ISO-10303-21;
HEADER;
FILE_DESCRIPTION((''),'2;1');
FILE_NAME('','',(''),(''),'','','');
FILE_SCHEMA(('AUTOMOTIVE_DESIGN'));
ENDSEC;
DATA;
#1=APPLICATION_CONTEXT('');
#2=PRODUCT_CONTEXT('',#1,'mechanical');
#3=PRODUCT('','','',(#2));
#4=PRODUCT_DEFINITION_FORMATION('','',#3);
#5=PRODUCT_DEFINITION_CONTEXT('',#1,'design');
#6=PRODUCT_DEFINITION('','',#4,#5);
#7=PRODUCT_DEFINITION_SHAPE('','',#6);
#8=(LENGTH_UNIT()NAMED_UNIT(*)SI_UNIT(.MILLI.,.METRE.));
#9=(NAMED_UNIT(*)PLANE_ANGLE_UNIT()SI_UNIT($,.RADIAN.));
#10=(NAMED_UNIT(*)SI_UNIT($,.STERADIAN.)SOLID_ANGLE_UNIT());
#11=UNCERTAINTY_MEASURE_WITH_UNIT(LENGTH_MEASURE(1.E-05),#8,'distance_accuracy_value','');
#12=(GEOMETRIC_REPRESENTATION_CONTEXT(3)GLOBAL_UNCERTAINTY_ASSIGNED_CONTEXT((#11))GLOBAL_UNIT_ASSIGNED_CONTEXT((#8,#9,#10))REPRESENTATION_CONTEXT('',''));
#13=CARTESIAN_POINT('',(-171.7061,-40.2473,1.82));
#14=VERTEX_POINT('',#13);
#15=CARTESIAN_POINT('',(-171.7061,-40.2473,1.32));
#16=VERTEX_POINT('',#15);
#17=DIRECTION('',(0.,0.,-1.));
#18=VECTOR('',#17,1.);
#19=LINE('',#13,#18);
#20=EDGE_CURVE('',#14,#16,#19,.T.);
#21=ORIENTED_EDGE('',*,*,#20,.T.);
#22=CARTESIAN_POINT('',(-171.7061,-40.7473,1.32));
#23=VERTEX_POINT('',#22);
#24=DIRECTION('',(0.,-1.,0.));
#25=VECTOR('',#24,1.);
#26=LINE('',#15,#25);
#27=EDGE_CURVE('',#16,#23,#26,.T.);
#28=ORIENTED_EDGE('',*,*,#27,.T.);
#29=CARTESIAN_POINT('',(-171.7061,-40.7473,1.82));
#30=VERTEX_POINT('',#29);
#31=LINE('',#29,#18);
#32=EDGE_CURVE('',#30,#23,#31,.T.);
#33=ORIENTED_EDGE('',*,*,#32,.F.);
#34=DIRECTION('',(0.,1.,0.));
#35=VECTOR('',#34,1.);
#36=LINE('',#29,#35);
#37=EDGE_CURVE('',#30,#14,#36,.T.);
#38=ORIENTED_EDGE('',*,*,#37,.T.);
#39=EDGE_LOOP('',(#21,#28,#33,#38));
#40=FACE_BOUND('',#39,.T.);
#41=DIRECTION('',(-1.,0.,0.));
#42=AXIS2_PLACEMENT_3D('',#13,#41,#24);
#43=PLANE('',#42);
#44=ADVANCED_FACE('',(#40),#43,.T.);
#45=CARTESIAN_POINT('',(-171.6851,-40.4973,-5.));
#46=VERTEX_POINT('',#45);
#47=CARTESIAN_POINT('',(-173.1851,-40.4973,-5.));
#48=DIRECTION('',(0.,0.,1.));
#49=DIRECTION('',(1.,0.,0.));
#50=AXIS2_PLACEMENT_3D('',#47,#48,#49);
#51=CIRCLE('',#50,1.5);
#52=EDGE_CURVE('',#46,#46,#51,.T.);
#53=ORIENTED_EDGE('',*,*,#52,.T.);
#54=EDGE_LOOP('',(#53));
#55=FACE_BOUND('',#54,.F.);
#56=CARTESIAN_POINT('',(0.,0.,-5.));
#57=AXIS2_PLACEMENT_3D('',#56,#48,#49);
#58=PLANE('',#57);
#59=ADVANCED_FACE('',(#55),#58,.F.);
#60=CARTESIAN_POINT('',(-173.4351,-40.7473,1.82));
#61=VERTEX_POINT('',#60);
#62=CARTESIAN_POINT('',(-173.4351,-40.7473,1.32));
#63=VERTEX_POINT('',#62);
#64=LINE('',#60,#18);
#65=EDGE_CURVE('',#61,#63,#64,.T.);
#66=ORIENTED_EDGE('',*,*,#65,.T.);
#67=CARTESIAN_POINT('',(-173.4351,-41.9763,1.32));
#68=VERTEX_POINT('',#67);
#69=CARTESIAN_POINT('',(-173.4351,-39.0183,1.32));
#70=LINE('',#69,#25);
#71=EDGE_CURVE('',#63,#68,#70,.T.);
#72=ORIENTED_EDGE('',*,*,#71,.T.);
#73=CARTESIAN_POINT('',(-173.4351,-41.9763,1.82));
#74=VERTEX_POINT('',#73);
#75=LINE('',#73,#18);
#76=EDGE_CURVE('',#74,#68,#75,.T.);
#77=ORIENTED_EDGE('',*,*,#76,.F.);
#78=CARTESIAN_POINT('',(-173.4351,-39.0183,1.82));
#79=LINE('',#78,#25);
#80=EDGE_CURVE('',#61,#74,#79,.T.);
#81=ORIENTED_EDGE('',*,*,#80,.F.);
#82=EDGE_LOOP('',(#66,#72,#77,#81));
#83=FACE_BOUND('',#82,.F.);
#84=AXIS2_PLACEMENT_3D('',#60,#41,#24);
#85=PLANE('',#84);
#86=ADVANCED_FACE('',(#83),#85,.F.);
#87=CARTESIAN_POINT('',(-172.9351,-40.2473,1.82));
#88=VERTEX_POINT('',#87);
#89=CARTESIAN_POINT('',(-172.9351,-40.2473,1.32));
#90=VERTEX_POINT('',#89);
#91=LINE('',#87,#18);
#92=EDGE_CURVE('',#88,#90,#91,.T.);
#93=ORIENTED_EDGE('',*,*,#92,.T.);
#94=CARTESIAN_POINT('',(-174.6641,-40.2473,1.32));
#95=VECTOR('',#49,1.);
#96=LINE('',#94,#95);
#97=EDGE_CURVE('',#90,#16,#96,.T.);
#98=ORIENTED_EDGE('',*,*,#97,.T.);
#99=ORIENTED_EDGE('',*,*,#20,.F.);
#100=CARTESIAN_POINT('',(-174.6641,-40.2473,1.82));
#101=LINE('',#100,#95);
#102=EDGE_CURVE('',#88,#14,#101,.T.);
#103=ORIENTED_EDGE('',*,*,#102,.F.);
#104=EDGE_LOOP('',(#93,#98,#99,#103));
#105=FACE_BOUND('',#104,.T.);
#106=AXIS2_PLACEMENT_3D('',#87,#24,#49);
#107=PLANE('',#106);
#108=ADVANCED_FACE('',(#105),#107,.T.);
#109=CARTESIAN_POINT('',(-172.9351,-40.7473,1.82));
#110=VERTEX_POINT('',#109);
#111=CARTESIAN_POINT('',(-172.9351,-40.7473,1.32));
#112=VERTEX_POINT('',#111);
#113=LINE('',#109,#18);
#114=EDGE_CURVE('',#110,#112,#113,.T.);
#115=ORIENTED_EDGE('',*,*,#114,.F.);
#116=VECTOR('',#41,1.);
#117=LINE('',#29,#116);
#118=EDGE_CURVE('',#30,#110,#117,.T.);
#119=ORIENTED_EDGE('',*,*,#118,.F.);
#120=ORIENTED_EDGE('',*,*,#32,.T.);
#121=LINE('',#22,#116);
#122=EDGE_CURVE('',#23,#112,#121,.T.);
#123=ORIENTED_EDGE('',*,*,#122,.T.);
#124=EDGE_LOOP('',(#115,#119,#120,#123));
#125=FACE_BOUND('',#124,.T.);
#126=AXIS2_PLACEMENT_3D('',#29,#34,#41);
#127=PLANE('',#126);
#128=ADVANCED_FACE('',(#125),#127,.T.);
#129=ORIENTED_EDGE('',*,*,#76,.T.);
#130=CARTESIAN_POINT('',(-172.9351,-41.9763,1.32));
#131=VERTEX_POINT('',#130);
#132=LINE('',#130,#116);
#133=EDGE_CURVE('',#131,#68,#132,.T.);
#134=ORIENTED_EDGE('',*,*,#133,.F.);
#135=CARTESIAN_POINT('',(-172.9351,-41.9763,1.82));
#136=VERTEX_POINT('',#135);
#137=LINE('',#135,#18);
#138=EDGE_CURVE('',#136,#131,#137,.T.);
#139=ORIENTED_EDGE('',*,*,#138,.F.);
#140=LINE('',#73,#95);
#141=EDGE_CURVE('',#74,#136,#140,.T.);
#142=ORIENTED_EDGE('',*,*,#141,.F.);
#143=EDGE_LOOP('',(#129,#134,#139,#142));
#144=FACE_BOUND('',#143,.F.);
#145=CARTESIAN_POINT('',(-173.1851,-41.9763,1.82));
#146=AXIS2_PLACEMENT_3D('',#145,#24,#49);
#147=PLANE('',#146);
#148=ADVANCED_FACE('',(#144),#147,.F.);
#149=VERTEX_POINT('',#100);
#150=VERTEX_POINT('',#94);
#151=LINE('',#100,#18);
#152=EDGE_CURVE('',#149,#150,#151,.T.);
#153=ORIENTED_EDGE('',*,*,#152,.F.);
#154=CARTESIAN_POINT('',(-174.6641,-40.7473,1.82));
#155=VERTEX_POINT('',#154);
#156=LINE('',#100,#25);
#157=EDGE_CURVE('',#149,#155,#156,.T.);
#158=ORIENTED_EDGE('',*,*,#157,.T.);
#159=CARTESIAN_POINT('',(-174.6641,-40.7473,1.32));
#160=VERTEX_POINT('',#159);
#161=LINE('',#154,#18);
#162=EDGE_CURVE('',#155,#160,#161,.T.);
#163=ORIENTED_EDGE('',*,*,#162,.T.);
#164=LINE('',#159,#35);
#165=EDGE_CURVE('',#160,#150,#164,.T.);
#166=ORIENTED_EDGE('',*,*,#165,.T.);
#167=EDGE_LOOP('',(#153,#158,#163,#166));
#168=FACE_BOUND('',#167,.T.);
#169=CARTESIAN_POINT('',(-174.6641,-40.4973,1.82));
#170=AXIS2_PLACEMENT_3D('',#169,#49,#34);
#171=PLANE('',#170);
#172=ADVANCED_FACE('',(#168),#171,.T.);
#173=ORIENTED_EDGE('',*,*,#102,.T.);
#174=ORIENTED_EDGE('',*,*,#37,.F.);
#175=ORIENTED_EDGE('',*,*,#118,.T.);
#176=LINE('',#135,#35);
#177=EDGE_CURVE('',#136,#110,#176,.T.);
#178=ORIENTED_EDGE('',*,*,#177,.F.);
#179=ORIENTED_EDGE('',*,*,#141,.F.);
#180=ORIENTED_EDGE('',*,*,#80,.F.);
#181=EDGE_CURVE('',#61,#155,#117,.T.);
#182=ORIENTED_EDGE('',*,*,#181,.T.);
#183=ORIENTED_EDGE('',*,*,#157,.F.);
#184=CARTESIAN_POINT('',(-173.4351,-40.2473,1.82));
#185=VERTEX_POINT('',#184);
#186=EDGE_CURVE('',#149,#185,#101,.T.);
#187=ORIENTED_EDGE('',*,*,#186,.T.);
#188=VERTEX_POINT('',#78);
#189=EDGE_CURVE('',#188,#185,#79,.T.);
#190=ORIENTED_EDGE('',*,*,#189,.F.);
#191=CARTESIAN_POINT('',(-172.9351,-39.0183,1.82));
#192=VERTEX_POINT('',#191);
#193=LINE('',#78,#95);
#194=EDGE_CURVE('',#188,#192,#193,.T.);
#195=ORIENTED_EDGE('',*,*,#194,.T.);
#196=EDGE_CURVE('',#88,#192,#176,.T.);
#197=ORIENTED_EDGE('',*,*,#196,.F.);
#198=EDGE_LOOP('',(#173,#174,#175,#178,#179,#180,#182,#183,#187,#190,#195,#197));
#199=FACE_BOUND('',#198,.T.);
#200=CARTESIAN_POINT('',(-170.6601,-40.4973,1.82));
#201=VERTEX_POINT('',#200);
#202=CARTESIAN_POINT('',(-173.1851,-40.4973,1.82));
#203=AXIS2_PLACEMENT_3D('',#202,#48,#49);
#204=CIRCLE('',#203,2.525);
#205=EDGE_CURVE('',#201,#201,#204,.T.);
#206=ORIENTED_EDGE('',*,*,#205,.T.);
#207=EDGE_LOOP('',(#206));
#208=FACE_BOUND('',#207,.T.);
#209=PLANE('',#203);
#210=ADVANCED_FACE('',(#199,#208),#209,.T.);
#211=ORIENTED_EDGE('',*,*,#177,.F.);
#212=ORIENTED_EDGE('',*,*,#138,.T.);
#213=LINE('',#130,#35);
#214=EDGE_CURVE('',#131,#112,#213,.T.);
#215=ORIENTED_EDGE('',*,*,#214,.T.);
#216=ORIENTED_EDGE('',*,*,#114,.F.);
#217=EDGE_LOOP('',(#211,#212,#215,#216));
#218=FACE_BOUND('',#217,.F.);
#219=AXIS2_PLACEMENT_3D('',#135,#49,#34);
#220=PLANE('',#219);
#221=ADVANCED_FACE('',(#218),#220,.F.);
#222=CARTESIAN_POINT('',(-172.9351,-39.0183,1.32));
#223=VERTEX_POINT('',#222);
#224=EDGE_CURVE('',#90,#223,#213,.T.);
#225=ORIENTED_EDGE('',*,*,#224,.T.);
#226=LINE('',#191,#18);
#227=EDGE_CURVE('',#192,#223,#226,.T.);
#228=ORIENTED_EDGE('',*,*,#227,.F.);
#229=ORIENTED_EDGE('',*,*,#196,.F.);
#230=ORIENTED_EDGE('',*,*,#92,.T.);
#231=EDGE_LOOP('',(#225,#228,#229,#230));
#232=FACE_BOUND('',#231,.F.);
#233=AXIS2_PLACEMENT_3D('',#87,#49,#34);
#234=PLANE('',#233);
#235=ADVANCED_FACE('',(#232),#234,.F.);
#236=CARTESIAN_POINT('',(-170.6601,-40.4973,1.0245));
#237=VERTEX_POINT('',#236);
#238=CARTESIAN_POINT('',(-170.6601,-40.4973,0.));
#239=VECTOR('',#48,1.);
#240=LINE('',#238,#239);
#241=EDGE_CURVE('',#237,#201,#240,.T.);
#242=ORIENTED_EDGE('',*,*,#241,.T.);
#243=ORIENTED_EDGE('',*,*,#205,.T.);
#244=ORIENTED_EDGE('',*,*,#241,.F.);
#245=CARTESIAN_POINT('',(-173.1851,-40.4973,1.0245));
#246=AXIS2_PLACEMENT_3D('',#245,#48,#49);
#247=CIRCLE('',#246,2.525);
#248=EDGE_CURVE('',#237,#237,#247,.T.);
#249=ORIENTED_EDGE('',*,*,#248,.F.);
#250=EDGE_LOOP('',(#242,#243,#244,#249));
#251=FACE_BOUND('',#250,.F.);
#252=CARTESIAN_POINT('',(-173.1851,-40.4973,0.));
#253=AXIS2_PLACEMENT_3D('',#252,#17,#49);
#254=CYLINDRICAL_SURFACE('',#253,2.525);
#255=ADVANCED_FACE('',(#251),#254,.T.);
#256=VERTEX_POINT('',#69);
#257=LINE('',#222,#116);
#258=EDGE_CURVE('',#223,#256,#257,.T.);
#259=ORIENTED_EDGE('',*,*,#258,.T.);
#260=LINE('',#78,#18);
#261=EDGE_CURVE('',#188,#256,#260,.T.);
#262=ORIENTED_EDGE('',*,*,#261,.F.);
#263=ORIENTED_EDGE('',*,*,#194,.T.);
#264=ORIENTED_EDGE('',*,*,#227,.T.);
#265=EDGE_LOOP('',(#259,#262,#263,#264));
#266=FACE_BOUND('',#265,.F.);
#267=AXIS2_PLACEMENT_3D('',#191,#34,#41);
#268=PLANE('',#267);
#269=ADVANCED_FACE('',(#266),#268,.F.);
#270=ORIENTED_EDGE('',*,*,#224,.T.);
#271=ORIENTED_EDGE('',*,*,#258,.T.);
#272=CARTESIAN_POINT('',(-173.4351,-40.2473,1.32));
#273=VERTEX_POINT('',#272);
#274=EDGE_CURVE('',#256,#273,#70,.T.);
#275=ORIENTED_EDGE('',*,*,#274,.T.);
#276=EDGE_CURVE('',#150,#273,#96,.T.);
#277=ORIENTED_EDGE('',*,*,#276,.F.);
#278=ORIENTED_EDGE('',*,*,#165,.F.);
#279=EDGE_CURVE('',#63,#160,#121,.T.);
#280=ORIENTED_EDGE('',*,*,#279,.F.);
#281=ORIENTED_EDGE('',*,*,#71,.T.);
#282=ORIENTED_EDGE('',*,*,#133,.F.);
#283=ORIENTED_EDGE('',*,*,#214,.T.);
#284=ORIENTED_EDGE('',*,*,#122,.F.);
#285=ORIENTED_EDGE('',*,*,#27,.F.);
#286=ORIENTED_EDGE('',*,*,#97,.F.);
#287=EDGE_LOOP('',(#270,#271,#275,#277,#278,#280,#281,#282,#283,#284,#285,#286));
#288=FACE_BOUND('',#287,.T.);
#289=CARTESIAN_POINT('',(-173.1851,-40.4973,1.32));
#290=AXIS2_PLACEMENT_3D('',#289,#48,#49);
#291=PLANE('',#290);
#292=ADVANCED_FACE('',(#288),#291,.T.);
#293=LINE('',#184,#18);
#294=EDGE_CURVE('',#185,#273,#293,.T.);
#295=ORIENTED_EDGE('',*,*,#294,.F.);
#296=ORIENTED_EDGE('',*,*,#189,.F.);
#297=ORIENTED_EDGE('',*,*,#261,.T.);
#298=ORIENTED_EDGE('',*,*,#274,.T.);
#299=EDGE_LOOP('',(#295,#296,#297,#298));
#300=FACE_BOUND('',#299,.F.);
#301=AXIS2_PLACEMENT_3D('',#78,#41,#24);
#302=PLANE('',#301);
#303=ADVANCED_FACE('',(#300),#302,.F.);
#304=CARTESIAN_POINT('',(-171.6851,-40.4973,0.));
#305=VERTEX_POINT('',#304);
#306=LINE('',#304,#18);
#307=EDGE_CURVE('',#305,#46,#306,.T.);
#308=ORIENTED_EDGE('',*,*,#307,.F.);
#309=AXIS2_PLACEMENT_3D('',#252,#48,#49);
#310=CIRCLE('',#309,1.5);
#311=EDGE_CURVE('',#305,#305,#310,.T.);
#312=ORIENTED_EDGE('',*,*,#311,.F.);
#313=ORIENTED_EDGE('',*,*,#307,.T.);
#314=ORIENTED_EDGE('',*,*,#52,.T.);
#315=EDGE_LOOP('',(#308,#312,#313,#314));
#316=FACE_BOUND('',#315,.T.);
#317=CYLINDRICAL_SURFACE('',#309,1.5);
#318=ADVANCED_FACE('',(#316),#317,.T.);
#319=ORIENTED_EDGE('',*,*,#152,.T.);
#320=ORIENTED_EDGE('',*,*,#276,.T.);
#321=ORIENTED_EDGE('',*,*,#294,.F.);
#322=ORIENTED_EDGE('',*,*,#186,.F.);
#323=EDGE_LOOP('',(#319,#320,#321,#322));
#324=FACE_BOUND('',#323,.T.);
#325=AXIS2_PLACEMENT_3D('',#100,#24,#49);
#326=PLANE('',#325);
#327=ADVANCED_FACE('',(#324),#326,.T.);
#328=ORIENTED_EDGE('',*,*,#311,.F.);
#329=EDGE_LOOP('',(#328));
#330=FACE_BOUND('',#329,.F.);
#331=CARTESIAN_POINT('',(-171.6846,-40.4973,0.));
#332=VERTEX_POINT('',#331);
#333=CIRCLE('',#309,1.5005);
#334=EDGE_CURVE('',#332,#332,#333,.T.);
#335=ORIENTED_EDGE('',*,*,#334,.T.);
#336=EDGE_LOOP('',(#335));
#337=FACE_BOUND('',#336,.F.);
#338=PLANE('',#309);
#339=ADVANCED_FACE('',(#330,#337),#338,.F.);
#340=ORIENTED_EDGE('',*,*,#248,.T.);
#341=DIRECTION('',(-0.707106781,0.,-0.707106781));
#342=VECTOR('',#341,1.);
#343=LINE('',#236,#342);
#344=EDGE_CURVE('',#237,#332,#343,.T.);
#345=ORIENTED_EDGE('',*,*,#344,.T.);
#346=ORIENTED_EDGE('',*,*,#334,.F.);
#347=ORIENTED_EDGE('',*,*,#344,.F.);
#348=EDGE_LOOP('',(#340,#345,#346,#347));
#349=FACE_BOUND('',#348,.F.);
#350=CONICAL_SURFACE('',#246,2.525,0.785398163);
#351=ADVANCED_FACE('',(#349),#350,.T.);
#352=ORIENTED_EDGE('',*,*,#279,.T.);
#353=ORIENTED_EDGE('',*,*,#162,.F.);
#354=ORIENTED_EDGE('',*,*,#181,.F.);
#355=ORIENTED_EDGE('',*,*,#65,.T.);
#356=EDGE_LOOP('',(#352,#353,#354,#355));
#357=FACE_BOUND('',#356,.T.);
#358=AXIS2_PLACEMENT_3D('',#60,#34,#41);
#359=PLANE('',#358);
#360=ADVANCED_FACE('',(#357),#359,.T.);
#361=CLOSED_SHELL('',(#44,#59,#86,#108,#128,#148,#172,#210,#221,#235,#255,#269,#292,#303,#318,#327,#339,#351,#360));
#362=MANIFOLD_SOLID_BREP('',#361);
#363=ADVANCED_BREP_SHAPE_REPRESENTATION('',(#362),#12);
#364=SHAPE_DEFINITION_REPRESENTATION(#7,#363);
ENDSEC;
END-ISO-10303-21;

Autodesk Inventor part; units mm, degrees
sketch "Sketch1" plane through (0, 0, 0) normal (0, 0, 1) x (1, 0, 0)
  circle A0 centre (-173.1851, -40.4973) radius 1.5
  point P0 (0, 0)
  dimension "d0" = 3
extrude "Extrusion1" add sketch "Sketch1" against normal blind 5
thread "Thread1" size "M3x0.5" class "6g" standard "ANSI Metric M Profile" full length
sketch "Sketch2" plane through (-173.1851, -40.4973, 0) normal (0, 0, 1) x (1, 0, 0)
  circle A0 centre (0, 0) radius 2.525
  point P0 (173.1851, 40.4973)
  dimension "d5" = 5.05
extrude "Extrusion2" add sketch "Sketch2" along normal blind 1.82
chamfer "Chamfer1" distance 1.025 angle 45 1 edges at (-175.7101, -40.4973, 0)
sketch "Sketch3" plane through (-173.1851, -40.4973, 1.82) normal (0, 0, 1) x (1, 0, 0)
  line L0 (0, 1.5) -> (0, -1.5)
  line L1 (-1.5, 0) -> (1.5, 0)
  line L2 (-1.479, 0.25) -> (1.479, 0.25)
  line L3 (1.479, 0.25) -> (1.479, -0.25)
  line L4 (1.479, -0.25) -> (-1.479, -0.25)
  line L5 (-1.479, -0.25) -> (-1.479, 0.25)
  line L6 (-1.479, 0.25) -> (1.479, -0.25) construction
  line L7 (1.479, 0.25) -> (-1.479, -0.25) construction
  line L8 (0.25, 1.479) -> (-0.25, 1.479)
  line L9 (-0.25, 1.479) -> (-0.25, -1.479)
  line L10 (-0.25, -1.479) -> (0.25, -1.479)
  line L11 (0.25, -1.479) -> (0.25, 1.479)
  line L12 (0.25, 1.479) -> (-0.25, -1.479) construction
  line L13 (-0.25, 1.479) -> (0.25, -1.479) construction
  point P0 (173.1851, 40.4973)
  point P1 (0, 0)
  point P2 (-0.25, 0.25)
  point P3 (-0.25, -0.25)
  point P4 (0.25, -0.25)
  point P5 (0.25, 0.25)
  dimension "d12" = 0.5
  dimension "d13" = 0.5
extrude "Extrusion3" cut sketch "Sketch3" against normal blind 0.5
ref_plane "StartOfTaper" through (-173.1851, -40.4973, 1.025) normal (0, 0, -1) x (-1, 0, 0)
ref_plane "EndOfTaper" through (-173.1851, -40.4973, 0) normal (0, 0, -1) x (-1, 0, 0)
ref_plane "ThisMuchIntoBezel" through (-173.1851, -40.4973, -2.4) normal (0, 0, -1) x (-1, 0, 0)
properties part number "M3 Screw"
